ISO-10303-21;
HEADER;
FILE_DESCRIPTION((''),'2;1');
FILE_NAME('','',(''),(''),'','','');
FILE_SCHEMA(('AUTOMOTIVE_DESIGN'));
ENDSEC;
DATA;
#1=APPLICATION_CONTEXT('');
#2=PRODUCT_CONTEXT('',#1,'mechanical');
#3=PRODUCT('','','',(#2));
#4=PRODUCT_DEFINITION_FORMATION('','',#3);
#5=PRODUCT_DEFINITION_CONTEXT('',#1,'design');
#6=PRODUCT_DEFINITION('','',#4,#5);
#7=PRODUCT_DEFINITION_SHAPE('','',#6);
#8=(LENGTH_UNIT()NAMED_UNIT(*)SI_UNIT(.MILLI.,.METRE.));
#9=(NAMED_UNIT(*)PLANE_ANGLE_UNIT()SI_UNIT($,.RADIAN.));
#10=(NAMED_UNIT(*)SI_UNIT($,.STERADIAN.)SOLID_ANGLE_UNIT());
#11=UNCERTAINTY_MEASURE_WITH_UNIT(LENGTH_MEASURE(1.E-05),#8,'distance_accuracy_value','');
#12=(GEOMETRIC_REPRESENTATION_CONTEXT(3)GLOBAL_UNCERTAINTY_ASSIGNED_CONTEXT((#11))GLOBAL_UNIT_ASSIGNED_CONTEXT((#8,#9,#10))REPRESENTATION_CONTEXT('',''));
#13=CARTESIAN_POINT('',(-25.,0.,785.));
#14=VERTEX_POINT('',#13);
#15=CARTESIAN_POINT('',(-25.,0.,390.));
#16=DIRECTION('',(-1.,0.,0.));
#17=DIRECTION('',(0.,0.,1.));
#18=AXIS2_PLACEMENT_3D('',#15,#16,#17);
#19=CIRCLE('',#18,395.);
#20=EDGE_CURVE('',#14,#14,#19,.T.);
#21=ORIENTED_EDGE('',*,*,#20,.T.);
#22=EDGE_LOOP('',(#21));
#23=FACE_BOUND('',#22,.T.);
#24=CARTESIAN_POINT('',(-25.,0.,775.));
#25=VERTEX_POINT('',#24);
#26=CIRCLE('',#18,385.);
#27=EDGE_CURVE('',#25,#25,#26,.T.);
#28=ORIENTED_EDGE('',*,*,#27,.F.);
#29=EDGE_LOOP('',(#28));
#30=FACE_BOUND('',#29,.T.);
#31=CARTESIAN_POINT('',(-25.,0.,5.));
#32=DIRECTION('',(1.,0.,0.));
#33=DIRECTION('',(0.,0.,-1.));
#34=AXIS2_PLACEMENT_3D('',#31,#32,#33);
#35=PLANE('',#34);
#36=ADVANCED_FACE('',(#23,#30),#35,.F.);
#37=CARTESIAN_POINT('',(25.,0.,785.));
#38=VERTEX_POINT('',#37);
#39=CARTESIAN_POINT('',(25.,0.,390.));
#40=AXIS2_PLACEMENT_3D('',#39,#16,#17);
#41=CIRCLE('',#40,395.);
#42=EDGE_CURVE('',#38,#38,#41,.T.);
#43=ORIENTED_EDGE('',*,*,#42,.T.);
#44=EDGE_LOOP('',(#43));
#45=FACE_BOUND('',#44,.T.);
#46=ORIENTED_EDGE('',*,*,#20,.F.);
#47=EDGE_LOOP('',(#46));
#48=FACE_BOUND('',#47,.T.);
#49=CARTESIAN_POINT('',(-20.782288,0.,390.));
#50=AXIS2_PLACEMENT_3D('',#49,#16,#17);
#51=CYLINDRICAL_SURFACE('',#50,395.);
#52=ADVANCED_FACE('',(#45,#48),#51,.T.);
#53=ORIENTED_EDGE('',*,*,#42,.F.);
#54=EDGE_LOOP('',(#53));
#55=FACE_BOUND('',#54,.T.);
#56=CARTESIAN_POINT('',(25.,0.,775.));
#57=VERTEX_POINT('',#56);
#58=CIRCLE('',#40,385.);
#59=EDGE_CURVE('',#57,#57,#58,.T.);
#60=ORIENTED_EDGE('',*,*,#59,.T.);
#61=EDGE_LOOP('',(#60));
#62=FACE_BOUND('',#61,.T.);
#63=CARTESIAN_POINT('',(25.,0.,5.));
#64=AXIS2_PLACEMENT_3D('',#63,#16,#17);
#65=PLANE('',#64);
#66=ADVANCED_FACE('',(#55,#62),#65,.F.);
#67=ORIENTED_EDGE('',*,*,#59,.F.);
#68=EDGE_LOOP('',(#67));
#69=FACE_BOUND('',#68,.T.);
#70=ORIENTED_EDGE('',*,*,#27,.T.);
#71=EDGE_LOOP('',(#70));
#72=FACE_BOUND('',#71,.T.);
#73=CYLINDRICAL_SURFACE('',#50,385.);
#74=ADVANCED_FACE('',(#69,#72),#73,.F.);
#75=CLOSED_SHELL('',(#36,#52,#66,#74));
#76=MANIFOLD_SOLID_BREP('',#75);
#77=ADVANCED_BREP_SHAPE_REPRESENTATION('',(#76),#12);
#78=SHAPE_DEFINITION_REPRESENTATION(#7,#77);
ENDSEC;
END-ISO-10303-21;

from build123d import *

# Parameters (mm, degrees)
SKETCH1_W = 50
SKETCH1_H = 10


with BuildPart() as part:
    # Sketch1 → Revolve1 (revolve)
    with BuildSketch(Plane(origin=(0, 0, 0), x_dir=(1, 0, 0), z_dir=(0, 1, 0)), mode=Mode.PRIVATE) as revolve1_sk:
        Rectangle(SKETCH1_W, SKETCH1_H)
    revolve(revolve1_sk.sketch.rotate(Axis((-20.782287599, 0, 390), (1, 0, 0)), 180), axis=Axis((-20.782287599, 0, 390), (1, 0, 0)))


solid = part.part
